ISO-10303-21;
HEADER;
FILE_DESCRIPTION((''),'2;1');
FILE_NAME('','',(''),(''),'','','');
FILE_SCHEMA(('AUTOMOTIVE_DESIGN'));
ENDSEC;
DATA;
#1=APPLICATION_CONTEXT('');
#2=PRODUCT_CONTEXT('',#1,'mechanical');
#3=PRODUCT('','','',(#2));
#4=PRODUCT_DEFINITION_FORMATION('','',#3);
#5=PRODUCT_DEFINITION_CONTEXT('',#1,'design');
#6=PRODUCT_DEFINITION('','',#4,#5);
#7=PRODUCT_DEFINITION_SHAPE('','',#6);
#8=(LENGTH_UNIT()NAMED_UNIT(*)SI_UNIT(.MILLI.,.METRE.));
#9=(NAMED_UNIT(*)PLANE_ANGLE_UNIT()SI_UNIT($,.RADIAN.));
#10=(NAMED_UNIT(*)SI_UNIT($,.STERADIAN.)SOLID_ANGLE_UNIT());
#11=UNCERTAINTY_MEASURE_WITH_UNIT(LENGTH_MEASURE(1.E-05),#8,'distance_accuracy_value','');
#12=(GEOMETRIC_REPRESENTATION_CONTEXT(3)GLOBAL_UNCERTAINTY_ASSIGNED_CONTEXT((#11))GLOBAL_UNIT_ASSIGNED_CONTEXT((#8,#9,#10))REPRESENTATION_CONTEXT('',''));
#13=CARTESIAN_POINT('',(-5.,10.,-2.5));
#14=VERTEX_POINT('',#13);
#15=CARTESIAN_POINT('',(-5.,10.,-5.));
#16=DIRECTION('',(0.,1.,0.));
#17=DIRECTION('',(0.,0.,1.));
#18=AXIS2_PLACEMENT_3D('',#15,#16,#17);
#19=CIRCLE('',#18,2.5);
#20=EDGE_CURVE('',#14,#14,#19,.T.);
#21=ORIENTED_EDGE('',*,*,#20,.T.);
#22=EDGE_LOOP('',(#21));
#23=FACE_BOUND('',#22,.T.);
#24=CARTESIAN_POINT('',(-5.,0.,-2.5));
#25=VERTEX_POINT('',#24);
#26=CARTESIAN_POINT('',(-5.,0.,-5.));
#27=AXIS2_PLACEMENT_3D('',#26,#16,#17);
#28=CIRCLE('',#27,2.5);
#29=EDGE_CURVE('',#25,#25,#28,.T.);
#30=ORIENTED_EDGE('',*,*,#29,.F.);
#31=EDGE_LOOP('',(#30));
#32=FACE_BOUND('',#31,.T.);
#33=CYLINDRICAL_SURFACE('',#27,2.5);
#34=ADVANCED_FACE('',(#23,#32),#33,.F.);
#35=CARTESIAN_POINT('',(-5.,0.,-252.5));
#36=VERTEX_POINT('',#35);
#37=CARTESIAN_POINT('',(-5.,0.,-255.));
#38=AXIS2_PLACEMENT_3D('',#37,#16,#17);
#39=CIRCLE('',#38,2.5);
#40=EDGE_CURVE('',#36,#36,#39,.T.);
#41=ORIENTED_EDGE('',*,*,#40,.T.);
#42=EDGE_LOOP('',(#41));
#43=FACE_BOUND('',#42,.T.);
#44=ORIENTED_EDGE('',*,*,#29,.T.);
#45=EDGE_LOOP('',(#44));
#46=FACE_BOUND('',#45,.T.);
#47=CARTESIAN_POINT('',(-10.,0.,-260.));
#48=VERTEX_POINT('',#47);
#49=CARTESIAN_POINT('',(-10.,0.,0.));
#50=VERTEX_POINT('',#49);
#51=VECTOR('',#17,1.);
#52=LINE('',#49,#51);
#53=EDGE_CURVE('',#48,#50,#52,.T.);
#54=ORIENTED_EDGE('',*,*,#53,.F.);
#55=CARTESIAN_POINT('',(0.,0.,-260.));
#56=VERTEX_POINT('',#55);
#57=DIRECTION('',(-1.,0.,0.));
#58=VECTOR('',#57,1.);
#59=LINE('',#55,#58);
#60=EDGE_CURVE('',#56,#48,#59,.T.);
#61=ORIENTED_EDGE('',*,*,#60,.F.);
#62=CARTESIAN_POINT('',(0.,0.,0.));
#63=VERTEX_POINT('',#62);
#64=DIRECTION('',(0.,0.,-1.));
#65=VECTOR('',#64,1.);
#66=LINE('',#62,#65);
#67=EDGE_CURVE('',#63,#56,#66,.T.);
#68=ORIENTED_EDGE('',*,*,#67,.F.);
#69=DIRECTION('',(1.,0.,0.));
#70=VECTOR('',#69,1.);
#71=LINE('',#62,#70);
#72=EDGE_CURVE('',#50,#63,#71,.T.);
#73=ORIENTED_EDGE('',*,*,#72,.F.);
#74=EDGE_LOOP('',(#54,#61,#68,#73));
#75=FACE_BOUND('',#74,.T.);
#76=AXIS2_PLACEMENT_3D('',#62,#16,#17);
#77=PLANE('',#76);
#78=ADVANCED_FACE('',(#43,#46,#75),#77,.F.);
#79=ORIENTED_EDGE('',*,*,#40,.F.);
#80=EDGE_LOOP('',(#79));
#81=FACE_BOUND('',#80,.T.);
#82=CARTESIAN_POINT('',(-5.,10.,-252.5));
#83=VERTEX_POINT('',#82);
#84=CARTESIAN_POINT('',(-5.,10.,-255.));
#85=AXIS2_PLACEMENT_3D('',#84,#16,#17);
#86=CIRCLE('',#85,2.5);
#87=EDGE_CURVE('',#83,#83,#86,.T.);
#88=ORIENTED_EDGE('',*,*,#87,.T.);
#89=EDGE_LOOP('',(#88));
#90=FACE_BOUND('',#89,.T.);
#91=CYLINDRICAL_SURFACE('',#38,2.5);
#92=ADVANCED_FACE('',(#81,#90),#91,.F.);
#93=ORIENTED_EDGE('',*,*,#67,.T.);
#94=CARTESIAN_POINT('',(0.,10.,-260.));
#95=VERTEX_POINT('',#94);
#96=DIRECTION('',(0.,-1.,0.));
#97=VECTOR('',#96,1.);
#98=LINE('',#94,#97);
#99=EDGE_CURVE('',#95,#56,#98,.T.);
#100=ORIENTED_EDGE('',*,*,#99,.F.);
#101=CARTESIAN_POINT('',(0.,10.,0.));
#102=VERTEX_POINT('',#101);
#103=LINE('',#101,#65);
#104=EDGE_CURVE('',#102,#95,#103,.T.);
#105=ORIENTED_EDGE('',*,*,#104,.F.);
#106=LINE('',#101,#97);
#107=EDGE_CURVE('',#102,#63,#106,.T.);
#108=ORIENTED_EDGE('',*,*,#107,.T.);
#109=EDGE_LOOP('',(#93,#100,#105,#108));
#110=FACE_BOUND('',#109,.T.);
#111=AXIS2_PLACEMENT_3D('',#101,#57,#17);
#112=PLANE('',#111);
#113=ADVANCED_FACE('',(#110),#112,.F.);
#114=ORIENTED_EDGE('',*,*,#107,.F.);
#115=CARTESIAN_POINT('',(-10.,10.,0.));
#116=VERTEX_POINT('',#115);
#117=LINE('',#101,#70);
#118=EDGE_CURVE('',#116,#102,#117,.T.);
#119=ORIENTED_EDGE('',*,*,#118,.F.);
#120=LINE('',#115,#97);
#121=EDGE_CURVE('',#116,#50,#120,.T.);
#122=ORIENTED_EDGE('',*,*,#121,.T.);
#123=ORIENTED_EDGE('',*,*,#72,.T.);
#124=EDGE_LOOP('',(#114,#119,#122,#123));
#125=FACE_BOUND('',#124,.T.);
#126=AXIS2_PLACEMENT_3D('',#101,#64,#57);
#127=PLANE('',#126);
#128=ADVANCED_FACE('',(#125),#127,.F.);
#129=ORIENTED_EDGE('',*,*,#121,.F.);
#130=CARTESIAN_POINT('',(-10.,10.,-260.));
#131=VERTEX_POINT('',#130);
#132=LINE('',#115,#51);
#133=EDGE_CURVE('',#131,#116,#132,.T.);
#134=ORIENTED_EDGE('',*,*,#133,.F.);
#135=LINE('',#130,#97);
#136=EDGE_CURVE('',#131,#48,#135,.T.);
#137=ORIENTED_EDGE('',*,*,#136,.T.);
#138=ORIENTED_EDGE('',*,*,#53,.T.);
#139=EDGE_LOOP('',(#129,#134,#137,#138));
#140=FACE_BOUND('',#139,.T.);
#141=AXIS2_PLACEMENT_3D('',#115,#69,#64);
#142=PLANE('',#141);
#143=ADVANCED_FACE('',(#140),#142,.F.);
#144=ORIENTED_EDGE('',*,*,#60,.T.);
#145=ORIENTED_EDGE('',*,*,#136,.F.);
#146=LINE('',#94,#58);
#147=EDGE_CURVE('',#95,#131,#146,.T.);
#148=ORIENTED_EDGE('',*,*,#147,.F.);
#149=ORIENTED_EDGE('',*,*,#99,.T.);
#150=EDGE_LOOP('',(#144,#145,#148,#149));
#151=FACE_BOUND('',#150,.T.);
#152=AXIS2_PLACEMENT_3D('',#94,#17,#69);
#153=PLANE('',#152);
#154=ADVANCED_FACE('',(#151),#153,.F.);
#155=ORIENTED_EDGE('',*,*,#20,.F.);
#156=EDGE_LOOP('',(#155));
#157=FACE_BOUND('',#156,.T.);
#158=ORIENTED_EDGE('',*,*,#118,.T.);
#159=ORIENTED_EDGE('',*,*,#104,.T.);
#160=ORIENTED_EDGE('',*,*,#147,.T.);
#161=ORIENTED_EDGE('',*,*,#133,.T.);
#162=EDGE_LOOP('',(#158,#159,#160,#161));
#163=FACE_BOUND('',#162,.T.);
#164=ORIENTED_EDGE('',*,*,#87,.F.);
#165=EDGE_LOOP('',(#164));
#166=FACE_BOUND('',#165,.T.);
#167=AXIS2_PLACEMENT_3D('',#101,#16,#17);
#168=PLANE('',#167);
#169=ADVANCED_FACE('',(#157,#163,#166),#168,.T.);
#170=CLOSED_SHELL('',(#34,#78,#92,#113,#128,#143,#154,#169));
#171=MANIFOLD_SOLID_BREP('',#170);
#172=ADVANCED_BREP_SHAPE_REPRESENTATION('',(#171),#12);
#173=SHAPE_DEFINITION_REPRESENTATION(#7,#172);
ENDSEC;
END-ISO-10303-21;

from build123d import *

# Parameters (mm, degrees)
ESQUISSE2_W             = 10
ESQUISSE2_H             = 260
BOSS_EXTRU_1_DEPTH      = 10
ESQUISSE3_R             = 2.5
ENL_V_MAT_EXTRU_1_DEPTH = 10


with BuildPart() as part:
    # Esquisse2 → Boss.-Extru.1 (new body)
    with BuildSketch(Plane(origin=(0, 0, 0), x_dir=(1, 0, 0), z_dir=(0, 1, 0))):
        with Locations((-5, 130)):
            Rectangle(ESQUISSE2_W, ESQUISSE2_H)
    extrude(amount=BOSS_EXTRU_1_DEPTH)

    # Esquisse3 → Enlèv. mat.-Extru.1 (cut)
    with BuildSketch(Plane(origin=(0, 10, 0), x_dir=(1, 0, 0), z_dir=(0, 1, 0))):
        with Locations(Location((-5, 255, 0), (0, 0, 270))):
            Circle(ESQUISSE3_R)
        with Locations(Location((-5, 5, 0), (0, 0, 270))):
            Circle(ESQUISSE3_R)
    extrude(amount=-ENL_V_MAT_EXTRU_1_DEPTH, mode=Mode.SUBTRACT)


solid = part.part
